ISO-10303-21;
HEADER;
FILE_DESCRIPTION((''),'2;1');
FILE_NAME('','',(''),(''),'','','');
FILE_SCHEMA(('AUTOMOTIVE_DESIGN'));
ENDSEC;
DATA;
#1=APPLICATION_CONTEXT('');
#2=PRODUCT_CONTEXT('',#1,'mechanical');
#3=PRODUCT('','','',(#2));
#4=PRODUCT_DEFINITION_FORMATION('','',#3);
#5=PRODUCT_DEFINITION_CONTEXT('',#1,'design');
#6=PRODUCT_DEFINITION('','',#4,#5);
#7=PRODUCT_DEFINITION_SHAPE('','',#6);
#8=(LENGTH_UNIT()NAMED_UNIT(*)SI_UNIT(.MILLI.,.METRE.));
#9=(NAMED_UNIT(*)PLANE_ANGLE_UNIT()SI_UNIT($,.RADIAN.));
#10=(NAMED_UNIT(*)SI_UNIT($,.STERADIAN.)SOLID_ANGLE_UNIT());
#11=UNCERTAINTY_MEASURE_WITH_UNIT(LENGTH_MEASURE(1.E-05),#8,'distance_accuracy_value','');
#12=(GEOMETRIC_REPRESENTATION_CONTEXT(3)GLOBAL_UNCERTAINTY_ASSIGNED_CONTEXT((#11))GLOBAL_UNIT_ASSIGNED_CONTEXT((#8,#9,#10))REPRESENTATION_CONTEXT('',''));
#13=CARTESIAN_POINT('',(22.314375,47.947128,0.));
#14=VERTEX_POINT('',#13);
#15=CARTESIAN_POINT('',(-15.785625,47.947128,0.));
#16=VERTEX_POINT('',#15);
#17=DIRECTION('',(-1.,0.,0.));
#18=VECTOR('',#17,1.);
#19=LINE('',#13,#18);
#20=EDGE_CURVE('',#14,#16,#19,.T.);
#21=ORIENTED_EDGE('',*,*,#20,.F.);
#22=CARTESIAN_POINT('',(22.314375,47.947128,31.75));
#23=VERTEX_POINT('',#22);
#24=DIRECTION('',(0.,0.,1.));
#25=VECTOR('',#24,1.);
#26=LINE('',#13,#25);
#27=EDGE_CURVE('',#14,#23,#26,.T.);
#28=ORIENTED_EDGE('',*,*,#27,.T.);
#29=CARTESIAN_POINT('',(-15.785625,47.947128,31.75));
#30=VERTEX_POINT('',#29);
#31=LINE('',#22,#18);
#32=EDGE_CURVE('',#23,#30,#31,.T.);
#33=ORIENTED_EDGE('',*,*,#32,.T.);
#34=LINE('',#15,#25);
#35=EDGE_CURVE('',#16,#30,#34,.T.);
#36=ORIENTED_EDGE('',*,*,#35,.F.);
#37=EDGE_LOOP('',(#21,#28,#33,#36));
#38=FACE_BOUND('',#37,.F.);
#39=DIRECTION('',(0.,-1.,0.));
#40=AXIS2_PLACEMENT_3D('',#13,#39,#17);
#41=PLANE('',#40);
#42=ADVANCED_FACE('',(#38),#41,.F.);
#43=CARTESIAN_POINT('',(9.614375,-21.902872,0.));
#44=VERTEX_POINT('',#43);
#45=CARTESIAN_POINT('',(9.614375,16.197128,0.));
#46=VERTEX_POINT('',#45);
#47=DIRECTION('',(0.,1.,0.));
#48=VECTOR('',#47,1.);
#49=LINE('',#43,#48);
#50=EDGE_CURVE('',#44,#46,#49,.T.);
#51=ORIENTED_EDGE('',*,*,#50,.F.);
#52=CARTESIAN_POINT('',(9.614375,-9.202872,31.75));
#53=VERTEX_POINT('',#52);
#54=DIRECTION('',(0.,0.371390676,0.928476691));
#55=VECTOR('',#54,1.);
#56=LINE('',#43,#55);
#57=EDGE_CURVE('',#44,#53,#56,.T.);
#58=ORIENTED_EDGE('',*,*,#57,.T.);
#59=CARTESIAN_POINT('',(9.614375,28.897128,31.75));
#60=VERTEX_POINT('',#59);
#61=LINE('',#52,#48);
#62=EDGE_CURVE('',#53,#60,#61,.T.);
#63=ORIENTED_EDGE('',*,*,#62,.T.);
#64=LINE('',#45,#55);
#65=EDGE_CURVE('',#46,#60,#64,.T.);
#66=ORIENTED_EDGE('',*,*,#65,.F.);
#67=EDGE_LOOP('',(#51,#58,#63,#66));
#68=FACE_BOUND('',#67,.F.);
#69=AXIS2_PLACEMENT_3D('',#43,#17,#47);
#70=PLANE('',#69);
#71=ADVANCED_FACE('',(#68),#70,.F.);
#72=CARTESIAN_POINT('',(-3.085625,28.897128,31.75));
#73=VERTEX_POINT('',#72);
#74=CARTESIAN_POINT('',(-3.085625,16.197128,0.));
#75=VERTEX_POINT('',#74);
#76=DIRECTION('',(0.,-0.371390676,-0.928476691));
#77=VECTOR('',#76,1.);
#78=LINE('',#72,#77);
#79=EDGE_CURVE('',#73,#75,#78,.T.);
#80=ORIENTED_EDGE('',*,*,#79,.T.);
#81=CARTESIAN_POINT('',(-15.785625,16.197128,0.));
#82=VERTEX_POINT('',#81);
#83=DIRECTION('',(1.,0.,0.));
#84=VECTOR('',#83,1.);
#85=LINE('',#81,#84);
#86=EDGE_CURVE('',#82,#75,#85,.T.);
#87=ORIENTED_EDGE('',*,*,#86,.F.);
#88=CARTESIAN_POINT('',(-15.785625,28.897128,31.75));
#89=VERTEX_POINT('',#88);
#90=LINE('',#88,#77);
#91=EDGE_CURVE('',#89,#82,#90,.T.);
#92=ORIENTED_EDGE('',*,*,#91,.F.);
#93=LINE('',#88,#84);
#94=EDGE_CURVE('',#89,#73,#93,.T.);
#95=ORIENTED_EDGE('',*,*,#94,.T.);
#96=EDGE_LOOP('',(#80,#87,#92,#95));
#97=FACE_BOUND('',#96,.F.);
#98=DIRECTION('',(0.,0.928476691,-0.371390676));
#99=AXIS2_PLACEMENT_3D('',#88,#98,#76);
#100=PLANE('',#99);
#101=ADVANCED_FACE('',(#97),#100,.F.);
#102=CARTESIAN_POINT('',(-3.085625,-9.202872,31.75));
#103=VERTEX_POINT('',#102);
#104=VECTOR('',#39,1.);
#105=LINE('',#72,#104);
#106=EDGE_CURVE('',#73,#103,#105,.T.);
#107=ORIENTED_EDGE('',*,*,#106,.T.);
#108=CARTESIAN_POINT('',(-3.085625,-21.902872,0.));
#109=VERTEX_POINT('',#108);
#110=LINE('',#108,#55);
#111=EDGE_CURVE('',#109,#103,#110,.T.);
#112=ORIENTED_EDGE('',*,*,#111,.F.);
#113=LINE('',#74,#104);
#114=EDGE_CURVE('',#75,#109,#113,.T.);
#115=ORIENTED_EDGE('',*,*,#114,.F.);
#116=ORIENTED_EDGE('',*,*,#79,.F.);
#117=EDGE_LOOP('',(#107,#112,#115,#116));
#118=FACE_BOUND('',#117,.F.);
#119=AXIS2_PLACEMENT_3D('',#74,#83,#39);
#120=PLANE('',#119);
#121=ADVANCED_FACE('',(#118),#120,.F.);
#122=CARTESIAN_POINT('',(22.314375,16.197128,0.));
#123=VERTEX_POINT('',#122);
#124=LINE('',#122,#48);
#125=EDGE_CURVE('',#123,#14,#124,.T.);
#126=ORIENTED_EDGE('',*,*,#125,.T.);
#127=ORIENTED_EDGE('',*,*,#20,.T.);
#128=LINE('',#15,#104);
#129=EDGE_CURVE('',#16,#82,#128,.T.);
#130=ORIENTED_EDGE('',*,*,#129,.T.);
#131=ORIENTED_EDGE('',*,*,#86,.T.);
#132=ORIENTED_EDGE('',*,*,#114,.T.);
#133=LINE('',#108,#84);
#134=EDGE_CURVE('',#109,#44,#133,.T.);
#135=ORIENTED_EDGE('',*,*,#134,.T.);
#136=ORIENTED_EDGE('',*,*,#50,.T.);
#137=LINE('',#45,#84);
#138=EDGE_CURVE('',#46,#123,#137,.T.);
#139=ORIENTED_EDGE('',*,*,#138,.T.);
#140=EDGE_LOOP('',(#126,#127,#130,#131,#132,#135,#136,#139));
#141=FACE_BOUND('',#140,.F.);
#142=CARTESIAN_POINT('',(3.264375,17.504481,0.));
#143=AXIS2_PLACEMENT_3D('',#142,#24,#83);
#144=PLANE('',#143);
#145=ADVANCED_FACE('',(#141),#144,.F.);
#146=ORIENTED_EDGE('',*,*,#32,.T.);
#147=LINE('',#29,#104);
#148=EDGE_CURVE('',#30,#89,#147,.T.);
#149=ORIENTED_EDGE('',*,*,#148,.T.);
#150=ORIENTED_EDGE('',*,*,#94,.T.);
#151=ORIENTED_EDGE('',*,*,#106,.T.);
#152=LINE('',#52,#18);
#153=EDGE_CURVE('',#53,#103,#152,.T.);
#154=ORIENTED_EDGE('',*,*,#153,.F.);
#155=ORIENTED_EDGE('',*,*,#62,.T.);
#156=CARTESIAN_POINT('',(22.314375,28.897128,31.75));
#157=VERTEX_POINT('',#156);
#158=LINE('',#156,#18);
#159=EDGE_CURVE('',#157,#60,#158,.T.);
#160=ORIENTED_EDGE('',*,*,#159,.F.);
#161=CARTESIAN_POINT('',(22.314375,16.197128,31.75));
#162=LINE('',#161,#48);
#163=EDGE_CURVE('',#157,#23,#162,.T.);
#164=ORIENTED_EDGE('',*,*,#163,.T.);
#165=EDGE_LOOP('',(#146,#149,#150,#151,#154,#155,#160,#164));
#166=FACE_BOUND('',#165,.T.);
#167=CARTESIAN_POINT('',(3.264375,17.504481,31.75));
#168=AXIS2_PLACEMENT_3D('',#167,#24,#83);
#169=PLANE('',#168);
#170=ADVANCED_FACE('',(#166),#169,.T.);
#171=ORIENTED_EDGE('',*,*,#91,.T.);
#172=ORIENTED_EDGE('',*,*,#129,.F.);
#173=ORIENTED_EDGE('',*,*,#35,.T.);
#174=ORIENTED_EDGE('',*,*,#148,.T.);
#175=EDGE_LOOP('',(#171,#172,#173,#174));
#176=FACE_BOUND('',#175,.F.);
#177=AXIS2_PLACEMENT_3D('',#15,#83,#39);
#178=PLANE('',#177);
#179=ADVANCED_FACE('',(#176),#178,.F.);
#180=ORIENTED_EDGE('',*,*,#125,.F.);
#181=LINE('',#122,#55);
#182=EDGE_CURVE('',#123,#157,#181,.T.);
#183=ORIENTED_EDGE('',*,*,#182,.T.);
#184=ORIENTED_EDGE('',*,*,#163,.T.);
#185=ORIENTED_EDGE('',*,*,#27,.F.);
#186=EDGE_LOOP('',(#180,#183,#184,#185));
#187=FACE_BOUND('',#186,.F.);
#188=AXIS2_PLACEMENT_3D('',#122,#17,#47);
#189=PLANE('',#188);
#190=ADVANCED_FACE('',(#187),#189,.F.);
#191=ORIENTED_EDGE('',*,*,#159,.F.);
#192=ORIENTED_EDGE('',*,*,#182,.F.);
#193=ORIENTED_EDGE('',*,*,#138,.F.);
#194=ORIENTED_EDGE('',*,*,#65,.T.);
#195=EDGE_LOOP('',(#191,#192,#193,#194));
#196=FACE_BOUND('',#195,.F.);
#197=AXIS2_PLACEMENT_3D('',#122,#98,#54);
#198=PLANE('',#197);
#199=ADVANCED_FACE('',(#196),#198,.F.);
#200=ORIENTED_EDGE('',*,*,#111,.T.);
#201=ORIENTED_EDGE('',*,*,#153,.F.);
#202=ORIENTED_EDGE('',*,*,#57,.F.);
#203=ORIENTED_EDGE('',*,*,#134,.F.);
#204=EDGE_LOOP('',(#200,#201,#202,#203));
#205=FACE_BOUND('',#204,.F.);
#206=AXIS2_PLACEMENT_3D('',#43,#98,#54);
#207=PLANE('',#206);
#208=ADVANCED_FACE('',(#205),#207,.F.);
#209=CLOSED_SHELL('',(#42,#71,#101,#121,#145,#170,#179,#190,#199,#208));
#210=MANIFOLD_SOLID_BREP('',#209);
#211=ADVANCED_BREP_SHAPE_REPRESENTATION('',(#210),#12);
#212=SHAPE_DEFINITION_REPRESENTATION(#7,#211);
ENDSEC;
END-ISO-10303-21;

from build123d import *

# Parameters (mm, degrees)
F1_DEPTH = 31.75
F3_DEPTH = 12.7
F5_DEPTH = 12.7
F7_DEPTH = 12.7


with BuildPart() as f1:
    # F0 (on Top) → F1 (new body)
    with BuildSketch(Plane.XY):
        Polygon((22.314375, 47.947128), (-15.785625, 47.947128), (-15.785625, 16.197128), (-3.085625, 16.197128), (-3.085625, -21.902872), (9.614375, -21.902872), (9.614375, 16.197128), (22.314375, 16.197128), align=None)
    extrude(amount=F1_DEPTH)

    # F2 (on face) → F3 (cut)
    with BuildSketch(Plane.YZ.offset(9.614375)):
        Polygon((-21.902872, 0), (-9.202872, 31.75), (-21.902872, 31.75), align=None)
    extrude(amount=-F3_DEPTH, mode=Mode.SUBTRACT)

    # F4 (on face) → F5 (cut)
    with BuildSketch(Plane.YZ.offset(22.314375)):
        Polygon((16.197128, 0), (28.897128, 31.75), (16.197128, 31.75), align=None)
    extrude(amount=-F5_DEPTH, mode=Mode.SUBTRACT)

    # F6 (on face) → F7 (cut)
    with BuildSketch(Plane(origin=(-15.785625, 0, 0), x_dir=(0, -1, 0), z_dir=(-1, 0, 0))):
        Polygon((-16.197128, 31.75), (-28.897128, 31.75), (-16.197128, 0), align=None)
    extrude(amount=-F7_DEPTH, mode=Mode.SUBTRACT)


solid = f1.part
